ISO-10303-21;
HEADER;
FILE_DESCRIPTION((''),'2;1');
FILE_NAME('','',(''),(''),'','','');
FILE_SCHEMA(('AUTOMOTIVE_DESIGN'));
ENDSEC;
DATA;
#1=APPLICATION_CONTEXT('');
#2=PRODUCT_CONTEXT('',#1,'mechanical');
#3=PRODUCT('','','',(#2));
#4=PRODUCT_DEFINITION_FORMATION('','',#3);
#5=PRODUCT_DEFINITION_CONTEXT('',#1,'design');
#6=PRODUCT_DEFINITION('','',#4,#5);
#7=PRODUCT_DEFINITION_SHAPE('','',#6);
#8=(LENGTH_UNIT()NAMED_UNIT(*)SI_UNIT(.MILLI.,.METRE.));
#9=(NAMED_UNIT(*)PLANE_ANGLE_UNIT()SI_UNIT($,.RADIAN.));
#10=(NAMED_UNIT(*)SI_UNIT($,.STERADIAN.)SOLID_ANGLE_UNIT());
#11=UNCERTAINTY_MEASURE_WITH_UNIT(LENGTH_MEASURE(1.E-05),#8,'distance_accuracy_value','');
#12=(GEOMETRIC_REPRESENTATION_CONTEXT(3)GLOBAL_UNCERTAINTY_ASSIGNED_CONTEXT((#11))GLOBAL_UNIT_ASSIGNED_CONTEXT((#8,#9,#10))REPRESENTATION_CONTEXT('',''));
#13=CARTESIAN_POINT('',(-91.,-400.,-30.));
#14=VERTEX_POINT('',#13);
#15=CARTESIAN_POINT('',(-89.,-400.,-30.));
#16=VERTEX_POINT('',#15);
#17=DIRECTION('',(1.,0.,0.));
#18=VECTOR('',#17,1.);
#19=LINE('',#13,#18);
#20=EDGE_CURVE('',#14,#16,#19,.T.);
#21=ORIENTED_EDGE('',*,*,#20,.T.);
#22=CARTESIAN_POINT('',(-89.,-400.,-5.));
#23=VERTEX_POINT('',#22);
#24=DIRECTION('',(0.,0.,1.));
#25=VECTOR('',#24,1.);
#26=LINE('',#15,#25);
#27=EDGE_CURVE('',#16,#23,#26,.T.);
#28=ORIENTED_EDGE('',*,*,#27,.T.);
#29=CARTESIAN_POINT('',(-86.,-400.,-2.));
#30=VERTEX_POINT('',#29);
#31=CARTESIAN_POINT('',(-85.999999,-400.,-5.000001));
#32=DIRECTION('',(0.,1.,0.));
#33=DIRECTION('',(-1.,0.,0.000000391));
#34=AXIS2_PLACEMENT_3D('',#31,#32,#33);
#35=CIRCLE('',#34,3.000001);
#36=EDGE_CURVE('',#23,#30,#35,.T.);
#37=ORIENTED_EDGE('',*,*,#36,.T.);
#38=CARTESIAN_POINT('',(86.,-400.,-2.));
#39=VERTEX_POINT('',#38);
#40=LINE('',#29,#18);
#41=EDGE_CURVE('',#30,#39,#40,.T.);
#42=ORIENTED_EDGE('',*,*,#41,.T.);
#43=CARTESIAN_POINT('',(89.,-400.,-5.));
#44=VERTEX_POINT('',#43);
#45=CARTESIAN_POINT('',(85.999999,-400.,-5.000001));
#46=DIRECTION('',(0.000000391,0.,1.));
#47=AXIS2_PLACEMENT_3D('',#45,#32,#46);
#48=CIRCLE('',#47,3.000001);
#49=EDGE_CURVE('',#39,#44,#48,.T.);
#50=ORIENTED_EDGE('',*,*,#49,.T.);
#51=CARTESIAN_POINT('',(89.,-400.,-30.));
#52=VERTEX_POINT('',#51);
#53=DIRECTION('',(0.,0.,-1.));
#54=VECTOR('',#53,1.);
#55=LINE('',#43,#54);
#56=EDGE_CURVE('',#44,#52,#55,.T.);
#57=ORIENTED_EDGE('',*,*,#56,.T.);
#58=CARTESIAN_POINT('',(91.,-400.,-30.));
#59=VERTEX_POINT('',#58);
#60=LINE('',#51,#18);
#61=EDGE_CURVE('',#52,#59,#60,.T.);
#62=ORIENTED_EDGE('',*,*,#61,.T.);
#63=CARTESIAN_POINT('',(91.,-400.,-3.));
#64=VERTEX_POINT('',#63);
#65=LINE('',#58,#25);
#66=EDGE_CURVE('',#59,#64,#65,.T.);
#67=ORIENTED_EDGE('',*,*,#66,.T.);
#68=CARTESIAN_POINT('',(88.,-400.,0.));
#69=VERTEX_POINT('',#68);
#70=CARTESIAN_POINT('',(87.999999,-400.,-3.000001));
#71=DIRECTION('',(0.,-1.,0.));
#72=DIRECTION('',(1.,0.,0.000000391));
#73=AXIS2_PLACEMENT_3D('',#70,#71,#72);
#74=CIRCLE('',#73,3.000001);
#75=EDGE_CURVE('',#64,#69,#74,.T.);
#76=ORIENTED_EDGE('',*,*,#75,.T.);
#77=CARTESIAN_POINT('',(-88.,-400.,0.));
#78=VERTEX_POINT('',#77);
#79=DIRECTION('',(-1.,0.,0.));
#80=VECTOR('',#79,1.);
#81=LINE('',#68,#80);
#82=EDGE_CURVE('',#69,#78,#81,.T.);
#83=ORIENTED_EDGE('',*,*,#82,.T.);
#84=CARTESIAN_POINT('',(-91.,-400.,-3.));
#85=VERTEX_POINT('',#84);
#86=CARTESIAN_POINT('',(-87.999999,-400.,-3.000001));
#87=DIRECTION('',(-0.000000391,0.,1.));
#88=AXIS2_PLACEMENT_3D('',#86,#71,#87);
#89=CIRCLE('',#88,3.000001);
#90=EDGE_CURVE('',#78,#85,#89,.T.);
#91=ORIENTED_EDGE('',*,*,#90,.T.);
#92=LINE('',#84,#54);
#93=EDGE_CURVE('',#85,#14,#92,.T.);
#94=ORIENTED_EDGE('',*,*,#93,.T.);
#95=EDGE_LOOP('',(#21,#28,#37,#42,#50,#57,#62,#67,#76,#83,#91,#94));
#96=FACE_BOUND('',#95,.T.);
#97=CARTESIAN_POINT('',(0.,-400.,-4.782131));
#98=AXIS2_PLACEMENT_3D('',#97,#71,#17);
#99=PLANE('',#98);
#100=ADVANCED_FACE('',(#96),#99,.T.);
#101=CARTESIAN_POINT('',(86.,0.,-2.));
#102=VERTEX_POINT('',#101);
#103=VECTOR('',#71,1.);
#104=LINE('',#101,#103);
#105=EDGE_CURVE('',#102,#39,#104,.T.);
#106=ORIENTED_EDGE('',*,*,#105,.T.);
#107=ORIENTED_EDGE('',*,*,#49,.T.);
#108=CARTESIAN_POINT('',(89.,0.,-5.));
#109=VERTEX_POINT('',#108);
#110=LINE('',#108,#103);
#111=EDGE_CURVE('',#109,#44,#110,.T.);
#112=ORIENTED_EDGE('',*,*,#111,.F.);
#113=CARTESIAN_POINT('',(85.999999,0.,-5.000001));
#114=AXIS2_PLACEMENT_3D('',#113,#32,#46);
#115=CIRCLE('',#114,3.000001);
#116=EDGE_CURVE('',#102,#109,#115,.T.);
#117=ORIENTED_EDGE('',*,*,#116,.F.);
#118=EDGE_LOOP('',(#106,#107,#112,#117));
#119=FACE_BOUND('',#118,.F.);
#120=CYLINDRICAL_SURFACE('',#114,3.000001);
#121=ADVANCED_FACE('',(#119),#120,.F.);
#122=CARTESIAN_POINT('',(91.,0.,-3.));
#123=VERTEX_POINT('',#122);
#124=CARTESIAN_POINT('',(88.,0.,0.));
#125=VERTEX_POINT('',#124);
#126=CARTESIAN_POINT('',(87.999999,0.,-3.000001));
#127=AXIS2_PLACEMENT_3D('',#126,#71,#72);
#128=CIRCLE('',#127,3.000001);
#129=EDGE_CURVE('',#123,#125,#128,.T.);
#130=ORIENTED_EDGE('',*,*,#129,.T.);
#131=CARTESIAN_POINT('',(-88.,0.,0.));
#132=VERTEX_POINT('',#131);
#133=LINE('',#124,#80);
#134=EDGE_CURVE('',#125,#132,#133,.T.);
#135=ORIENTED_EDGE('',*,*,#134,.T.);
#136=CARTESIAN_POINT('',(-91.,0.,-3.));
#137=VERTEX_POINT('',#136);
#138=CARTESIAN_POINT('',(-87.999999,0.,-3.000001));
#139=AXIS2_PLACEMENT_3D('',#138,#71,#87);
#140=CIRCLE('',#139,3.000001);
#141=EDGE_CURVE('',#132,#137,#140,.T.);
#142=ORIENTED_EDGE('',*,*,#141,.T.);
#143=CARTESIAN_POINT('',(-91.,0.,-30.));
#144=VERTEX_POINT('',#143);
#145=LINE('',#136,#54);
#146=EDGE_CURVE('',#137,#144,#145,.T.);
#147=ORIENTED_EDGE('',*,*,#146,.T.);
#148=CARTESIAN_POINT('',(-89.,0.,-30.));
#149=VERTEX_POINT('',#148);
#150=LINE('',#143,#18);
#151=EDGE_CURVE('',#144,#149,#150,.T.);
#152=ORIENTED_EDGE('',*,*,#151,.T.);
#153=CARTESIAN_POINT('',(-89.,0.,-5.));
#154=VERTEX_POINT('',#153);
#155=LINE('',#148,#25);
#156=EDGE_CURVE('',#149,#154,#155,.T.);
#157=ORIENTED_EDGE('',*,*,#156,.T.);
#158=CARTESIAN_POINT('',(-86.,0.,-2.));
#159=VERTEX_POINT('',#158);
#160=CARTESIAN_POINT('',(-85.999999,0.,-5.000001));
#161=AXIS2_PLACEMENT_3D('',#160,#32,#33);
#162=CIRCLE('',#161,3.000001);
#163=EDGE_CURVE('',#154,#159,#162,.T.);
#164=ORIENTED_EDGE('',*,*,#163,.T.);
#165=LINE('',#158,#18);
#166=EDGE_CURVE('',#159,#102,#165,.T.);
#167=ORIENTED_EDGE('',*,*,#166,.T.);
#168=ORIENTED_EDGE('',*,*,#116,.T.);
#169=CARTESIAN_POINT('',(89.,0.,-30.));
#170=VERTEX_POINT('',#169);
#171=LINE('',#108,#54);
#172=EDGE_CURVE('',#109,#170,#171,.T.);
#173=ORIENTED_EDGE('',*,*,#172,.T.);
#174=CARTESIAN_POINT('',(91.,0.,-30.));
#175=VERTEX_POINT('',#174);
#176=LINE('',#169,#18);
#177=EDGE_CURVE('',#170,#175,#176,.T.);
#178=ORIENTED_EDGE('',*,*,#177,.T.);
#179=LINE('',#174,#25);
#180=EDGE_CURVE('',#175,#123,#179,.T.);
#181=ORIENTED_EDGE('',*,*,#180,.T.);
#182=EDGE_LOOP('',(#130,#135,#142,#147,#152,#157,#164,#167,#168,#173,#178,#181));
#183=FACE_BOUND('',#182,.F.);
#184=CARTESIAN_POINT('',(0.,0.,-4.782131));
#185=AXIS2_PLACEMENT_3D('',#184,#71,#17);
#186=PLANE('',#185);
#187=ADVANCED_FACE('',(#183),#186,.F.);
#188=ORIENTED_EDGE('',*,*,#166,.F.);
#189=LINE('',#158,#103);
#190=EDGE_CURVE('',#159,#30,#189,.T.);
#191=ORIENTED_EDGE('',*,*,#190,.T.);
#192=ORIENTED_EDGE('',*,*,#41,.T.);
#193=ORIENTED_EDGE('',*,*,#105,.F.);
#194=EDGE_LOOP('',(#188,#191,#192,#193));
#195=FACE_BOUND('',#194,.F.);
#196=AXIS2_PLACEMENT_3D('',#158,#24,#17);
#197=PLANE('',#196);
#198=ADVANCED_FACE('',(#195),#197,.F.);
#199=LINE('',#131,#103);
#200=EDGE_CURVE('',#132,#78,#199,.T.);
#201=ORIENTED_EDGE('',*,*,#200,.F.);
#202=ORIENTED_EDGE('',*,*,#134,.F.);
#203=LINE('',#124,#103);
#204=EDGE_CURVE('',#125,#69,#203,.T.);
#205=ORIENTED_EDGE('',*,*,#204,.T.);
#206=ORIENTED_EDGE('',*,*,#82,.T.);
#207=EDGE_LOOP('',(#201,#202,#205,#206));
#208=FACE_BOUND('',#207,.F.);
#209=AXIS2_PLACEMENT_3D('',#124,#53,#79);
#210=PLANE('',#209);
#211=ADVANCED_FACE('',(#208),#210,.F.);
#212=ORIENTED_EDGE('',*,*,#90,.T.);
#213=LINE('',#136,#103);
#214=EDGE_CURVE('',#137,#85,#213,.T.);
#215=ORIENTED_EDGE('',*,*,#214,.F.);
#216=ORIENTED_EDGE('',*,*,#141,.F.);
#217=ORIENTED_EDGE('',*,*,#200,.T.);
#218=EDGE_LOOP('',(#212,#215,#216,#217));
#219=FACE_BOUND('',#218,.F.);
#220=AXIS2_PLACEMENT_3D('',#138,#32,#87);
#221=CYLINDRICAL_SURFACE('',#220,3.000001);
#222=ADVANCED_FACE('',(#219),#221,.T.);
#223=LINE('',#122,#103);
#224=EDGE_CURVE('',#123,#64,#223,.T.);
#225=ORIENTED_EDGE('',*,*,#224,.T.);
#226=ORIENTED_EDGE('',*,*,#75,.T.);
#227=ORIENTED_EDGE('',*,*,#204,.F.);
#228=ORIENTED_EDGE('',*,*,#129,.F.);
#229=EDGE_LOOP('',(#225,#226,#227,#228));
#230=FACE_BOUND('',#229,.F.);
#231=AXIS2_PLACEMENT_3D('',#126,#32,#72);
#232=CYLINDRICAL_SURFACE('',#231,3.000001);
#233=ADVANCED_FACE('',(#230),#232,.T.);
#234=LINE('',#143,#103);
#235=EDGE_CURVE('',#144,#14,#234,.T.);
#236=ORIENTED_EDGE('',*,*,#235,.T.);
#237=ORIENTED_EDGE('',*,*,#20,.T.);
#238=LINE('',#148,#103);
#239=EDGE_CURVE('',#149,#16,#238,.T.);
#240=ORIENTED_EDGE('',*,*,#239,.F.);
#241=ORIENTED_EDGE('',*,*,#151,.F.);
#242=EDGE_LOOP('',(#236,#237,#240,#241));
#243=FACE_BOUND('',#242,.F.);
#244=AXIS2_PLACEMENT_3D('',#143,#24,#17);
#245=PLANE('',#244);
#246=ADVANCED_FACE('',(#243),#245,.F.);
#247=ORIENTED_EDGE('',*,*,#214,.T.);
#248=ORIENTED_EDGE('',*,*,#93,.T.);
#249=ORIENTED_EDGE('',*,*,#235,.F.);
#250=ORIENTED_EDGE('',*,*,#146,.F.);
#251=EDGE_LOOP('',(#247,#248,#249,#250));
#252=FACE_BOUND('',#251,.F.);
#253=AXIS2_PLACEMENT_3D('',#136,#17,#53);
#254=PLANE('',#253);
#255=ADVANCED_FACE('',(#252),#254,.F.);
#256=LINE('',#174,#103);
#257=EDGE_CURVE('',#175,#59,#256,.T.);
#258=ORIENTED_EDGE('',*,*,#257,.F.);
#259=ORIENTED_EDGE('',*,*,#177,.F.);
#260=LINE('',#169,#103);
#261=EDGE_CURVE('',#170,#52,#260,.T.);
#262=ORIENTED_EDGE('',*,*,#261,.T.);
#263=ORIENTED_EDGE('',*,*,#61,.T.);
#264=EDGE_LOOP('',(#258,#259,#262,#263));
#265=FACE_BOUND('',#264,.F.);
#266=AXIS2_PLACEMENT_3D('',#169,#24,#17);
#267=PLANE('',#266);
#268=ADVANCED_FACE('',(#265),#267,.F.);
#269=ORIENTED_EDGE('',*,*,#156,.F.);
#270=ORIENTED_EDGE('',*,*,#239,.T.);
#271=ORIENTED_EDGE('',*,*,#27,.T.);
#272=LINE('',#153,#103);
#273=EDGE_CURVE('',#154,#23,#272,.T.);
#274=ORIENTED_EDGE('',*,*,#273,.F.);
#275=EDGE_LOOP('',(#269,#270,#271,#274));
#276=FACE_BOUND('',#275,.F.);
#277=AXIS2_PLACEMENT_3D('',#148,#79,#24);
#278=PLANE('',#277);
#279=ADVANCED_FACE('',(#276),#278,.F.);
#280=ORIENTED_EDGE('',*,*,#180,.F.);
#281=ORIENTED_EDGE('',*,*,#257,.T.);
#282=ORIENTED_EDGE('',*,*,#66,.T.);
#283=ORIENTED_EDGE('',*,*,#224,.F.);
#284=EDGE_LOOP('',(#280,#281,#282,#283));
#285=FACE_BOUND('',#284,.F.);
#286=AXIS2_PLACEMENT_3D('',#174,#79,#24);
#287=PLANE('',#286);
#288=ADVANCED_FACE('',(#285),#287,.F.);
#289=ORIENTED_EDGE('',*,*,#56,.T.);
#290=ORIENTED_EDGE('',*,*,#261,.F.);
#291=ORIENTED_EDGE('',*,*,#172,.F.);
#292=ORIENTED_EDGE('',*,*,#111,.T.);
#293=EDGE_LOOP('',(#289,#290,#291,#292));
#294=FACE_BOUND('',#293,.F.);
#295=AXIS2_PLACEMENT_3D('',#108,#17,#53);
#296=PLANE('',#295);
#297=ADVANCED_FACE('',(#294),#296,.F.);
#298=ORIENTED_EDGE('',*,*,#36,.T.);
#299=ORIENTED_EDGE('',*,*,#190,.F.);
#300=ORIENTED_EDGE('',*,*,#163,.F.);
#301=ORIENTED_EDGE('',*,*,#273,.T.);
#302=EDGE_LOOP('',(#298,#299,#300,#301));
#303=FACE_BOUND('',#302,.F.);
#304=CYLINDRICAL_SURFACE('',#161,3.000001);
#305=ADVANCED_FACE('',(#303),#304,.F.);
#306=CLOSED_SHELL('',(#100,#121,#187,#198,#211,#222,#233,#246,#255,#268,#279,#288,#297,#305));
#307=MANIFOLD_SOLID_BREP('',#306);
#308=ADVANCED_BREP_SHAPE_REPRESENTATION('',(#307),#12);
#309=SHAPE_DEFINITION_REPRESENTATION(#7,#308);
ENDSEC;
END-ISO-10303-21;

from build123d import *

# Parameters (mm, degrees)
F1_DEPTH = 400


with BuildPart() as f1:
    # F0 (on Front) → F1 (new body)
    with BuildSketch(Plane.XZ):
        with BuildLine():
            Line((88, 0), (0, 0))
            Line((0, 0), (-88, 0))
            ThreePointArc((-88, 0), (-90.12132, -0.87868), (-91, -3))
            Line((-91, -3), (-91, -30))
            Line((-91, -30), (-89, -30))
            Line((-89, -30), (-89, -5))
            ThreePointArc((-89, -5), (-88.12132, -2.87868), (-86, -2))
            Line((-86, -2), (0, -2))
            Line((0, -2), (86, -2))
            ThreePointArc((86, -2), (88.12132, -2.87868), (89, -5))
            Line((89, -5), (89, -30))
            Line((89, -30), (91, -30))
            Line((91, -30), (91, -3))
            ThreePointArc((91, -3), (90.12132, -0.87868), (88, 0))
        make_face()
    extrude(amount=F1_DEPTH)


solid = f1.part
